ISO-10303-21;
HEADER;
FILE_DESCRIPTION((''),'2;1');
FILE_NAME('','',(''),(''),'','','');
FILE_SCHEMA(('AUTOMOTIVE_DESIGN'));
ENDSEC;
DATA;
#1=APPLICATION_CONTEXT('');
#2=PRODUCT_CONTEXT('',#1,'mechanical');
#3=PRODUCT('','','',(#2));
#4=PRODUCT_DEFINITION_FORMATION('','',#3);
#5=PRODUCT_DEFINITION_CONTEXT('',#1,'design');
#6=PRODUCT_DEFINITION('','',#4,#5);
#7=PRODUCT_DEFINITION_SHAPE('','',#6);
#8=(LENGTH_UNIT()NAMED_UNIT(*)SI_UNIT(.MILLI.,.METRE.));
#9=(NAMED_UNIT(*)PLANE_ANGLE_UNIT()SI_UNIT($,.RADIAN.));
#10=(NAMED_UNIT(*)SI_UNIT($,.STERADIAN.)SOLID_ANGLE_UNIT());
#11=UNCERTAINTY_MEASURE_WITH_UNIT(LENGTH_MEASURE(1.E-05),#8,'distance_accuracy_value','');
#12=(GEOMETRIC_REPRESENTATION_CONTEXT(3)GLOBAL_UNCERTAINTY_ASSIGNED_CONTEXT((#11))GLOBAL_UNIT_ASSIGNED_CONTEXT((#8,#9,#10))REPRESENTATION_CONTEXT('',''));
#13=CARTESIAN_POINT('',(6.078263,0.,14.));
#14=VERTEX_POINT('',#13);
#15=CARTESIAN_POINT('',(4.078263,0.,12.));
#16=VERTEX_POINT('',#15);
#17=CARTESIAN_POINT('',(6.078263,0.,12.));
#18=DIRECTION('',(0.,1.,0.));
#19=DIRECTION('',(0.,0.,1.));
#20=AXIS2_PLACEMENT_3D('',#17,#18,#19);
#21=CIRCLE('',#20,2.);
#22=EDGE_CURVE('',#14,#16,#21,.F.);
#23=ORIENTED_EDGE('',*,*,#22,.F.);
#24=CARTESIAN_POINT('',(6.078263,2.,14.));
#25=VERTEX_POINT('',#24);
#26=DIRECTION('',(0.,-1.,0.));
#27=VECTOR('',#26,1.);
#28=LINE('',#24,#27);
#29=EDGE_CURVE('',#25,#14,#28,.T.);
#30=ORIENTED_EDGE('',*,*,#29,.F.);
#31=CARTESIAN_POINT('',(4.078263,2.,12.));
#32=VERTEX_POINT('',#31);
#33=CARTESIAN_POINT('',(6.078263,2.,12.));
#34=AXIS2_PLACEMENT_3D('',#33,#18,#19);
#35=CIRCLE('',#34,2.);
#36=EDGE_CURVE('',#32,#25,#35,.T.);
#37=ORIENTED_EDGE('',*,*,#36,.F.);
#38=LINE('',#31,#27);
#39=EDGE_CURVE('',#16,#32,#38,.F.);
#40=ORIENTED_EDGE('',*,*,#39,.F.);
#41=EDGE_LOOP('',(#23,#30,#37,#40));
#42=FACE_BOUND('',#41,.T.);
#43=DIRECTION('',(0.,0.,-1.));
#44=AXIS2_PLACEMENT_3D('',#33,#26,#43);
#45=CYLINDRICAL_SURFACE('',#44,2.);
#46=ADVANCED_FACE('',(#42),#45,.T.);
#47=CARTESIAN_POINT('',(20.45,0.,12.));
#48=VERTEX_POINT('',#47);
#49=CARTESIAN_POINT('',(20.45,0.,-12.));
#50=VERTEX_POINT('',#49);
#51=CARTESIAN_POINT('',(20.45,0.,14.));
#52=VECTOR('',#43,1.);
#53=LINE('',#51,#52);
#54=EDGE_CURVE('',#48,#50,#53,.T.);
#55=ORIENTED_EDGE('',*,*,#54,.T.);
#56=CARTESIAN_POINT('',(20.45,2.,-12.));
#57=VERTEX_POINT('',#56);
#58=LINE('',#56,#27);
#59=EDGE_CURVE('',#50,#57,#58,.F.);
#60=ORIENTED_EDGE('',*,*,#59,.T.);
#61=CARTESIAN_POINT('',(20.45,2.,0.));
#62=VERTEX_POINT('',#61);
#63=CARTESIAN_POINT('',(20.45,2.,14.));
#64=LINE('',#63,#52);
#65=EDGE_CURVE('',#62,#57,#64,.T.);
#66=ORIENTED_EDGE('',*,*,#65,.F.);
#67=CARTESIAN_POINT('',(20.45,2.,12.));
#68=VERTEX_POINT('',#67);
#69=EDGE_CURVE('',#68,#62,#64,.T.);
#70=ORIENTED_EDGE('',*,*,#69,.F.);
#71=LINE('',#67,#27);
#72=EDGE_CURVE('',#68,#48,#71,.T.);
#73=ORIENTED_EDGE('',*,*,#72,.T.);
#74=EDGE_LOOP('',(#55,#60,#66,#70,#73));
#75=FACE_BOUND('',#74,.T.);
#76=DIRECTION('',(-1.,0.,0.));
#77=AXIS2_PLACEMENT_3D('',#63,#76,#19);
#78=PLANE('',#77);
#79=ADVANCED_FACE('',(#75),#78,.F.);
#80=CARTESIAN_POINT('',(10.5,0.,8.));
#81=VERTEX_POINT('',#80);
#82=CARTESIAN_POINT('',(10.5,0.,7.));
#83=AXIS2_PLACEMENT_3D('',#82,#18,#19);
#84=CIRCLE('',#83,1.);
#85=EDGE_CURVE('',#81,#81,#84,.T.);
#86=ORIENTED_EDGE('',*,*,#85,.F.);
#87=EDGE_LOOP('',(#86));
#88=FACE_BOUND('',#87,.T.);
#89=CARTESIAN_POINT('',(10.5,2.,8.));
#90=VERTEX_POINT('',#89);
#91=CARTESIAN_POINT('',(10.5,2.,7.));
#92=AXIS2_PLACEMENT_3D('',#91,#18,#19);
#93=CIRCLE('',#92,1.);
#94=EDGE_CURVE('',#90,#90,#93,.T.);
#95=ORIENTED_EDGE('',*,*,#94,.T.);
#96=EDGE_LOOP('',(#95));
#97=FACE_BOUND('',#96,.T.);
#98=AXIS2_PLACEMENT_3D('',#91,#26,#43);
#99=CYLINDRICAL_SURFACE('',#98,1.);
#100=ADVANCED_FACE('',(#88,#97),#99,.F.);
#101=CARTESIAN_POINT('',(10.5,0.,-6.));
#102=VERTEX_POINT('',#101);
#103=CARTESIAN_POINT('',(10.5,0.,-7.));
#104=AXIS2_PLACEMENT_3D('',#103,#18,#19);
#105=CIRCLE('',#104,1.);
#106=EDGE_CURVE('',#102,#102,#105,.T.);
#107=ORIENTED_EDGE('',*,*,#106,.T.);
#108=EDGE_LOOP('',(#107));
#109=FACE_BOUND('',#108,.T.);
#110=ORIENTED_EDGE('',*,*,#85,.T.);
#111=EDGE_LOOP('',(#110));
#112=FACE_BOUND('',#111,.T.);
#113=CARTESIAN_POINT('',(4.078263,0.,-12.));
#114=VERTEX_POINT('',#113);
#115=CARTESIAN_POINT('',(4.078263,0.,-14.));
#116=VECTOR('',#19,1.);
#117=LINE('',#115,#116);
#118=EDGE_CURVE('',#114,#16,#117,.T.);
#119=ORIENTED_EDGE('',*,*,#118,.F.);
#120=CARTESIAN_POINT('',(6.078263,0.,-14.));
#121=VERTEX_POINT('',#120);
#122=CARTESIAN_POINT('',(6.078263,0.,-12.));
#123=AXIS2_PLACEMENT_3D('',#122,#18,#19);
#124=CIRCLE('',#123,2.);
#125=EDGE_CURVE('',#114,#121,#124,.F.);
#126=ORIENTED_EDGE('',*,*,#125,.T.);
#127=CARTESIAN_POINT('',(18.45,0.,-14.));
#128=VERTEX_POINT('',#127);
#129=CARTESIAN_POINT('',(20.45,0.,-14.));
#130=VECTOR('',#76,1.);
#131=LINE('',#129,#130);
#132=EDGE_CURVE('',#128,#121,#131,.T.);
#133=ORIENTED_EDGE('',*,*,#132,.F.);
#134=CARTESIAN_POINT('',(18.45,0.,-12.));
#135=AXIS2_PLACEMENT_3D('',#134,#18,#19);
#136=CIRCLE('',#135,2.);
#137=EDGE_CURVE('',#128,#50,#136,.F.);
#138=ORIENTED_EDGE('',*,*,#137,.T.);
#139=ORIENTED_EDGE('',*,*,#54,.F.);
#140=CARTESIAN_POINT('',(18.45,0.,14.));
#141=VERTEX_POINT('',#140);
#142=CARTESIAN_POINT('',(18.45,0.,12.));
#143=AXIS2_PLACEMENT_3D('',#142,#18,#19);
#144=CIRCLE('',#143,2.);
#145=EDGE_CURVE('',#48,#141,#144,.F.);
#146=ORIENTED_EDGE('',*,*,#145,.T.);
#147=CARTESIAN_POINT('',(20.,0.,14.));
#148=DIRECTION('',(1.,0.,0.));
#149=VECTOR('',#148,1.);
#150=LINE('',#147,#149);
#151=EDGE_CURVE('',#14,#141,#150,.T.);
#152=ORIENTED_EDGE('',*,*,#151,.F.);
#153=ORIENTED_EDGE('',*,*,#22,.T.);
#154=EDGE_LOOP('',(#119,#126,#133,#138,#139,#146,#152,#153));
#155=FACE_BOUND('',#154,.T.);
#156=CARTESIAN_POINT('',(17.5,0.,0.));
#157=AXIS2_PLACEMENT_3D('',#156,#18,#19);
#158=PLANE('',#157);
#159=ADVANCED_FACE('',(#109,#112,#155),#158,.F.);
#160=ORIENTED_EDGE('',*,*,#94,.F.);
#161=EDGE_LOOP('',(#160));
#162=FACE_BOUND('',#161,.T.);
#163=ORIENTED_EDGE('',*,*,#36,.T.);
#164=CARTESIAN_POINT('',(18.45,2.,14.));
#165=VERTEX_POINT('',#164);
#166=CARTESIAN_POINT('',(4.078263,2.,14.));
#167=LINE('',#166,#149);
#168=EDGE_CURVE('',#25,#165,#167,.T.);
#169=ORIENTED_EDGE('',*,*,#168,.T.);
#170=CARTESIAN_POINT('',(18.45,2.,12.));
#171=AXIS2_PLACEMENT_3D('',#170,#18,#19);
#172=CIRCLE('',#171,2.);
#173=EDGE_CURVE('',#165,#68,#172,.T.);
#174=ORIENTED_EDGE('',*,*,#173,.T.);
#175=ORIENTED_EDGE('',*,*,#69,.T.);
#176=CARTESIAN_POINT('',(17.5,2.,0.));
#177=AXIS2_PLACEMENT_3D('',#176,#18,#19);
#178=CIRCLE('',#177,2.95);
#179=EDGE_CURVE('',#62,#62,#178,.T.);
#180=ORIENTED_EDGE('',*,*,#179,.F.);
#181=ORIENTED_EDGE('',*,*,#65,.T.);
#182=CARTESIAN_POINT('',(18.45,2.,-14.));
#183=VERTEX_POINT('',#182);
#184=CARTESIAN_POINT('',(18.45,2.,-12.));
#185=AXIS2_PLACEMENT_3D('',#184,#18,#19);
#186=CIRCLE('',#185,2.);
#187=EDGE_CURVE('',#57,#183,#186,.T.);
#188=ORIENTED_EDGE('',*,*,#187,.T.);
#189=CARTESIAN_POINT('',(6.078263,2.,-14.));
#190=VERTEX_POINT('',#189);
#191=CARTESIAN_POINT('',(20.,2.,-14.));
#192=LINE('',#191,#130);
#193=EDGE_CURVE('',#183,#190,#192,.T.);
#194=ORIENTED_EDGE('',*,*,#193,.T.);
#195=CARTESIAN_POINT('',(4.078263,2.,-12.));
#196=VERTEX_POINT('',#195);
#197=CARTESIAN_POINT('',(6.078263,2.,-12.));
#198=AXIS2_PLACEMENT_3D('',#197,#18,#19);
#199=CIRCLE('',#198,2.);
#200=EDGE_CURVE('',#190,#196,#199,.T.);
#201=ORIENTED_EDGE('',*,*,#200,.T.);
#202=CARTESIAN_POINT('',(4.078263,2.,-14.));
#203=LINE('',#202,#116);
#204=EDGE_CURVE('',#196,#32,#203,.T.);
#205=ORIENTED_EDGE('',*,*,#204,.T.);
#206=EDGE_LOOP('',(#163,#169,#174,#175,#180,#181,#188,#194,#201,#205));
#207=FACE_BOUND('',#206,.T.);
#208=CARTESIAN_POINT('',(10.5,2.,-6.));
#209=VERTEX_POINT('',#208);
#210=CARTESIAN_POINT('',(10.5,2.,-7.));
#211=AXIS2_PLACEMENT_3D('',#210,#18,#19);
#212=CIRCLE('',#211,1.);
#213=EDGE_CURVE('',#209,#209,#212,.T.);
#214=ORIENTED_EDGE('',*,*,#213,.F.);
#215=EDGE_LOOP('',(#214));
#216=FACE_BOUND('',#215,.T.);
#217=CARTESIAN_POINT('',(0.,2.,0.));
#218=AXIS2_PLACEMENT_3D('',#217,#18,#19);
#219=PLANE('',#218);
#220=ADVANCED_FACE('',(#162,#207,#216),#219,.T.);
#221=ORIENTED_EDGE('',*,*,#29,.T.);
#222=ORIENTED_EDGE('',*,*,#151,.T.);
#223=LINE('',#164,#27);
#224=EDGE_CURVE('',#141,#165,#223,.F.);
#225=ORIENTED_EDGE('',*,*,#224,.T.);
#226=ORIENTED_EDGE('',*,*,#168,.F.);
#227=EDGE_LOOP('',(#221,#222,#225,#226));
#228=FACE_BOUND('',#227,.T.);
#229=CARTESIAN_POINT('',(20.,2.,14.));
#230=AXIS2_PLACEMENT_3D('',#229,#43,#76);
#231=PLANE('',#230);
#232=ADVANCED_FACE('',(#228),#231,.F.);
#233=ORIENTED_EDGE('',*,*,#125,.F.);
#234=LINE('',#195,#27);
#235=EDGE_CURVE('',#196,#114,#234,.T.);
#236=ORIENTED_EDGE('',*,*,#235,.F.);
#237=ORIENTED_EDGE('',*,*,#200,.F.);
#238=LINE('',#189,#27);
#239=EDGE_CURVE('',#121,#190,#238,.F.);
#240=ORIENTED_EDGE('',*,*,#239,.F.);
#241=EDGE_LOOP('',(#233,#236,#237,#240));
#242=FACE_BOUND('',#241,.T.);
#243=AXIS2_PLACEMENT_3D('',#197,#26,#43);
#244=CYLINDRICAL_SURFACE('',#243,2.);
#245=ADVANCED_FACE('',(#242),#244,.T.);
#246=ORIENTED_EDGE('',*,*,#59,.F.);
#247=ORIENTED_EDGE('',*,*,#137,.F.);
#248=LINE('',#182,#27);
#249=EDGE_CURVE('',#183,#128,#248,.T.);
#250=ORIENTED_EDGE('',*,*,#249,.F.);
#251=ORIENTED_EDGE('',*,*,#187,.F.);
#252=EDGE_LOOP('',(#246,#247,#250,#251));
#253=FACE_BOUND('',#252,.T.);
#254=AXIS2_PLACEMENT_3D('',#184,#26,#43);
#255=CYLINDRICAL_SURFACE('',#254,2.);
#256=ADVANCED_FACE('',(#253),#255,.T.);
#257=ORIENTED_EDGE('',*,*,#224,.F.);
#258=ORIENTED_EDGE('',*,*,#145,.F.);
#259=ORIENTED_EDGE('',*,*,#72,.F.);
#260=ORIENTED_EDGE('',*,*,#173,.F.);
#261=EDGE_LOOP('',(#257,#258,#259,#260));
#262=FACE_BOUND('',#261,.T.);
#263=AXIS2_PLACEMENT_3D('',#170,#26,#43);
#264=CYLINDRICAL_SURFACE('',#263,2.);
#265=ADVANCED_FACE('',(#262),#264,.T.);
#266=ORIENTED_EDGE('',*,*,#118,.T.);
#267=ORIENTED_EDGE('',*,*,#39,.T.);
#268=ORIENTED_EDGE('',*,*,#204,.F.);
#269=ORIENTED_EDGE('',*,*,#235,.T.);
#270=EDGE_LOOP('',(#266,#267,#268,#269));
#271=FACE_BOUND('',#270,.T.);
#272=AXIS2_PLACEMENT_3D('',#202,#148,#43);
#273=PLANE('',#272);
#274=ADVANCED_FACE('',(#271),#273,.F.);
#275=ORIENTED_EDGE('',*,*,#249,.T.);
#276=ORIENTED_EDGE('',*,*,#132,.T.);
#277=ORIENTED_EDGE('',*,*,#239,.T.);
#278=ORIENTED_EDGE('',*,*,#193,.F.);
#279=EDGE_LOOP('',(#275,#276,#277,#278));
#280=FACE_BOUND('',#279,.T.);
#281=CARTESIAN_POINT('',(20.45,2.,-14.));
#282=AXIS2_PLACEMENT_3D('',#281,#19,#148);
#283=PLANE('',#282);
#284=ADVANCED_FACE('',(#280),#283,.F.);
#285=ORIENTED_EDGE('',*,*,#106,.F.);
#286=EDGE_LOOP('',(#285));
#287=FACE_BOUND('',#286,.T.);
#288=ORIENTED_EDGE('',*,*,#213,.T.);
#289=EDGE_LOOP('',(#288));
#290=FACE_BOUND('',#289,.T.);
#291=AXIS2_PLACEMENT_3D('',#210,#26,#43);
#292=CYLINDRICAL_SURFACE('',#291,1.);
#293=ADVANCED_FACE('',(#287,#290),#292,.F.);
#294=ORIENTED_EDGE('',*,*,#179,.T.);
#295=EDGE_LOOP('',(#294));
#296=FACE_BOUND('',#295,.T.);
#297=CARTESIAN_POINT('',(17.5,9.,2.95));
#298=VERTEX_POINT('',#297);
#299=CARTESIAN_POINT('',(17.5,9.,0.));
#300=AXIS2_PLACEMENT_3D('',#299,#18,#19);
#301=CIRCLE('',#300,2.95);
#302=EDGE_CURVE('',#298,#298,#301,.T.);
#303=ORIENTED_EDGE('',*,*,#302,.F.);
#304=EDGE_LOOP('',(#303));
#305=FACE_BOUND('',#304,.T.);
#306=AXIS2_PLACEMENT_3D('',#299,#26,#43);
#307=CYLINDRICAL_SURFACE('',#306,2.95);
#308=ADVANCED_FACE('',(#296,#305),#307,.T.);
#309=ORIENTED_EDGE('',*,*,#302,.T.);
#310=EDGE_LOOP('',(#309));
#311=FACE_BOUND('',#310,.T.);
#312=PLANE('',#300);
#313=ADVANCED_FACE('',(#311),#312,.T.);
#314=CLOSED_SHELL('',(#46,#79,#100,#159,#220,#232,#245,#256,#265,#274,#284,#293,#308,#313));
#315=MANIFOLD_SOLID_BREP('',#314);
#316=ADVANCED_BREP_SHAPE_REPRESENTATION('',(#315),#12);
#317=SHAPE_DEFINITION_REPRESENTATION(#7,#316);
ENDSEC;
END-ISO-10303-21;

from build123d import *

# Parameters (mm, degrees)
SKETCH_1_R      = 2.95
EXTRUDE_1_DEPTH = 9
SKETCH_2_R      = 1
EXTRUDE_2_DEPTH = 2
FILLET_1_R      = 2


with BuildPart() as part:
    # 草图1 → 凸台-拉伸1 (new body)
    with BuildSketch(Plane(origin=(0, 0, 0), x_dir=(1, 0, 0), z_dir=(0, 1, 0))):
        with Locations(Location((17.5, 0, 0), (0, 0, 270))):
            Circle(SKETCH_1_R)
    extrude(amount=EXTRUDE_1_DEPTH)

    # 草图2 → 凸台-拉伸2 (add)
    with BuildSketch(Plane(origin=(0, 0, 0), x_dir=(1, 0, 0), z_dir=(0, 1, 0))):
        Polygon((4.078263357, 14), (4.078263357, -14), (20, -14), (20.45, -14), (20.45, 14), (20, 14), align=None)
        with Locations(Location((10.5, -7, 0), (0, 0, 270))):
            Circle(SKETCH_2_R, mode=Mode.SUBTRACT)
        with Locations(Location((10.5, 7, 0), (0, 0, 270))):
            Circle(SKETCH_2_R, mode=Mode.SUBTRACT)
    extrude(amount=EXTRUDE_2_DEPTH)

    # 圆角1
    fillet_1_edges = [part.edges().sort_by_distance(p)[0] for p in [
        (4.078263357, 1, 14),
        (20.45, 1, 14),
        (20.45, 1, -14),
        (4.078263357, 1, -14),
    ]]
    fillet(fillet_1_edges, radius=FILLET_1_R)


solid = part.part
